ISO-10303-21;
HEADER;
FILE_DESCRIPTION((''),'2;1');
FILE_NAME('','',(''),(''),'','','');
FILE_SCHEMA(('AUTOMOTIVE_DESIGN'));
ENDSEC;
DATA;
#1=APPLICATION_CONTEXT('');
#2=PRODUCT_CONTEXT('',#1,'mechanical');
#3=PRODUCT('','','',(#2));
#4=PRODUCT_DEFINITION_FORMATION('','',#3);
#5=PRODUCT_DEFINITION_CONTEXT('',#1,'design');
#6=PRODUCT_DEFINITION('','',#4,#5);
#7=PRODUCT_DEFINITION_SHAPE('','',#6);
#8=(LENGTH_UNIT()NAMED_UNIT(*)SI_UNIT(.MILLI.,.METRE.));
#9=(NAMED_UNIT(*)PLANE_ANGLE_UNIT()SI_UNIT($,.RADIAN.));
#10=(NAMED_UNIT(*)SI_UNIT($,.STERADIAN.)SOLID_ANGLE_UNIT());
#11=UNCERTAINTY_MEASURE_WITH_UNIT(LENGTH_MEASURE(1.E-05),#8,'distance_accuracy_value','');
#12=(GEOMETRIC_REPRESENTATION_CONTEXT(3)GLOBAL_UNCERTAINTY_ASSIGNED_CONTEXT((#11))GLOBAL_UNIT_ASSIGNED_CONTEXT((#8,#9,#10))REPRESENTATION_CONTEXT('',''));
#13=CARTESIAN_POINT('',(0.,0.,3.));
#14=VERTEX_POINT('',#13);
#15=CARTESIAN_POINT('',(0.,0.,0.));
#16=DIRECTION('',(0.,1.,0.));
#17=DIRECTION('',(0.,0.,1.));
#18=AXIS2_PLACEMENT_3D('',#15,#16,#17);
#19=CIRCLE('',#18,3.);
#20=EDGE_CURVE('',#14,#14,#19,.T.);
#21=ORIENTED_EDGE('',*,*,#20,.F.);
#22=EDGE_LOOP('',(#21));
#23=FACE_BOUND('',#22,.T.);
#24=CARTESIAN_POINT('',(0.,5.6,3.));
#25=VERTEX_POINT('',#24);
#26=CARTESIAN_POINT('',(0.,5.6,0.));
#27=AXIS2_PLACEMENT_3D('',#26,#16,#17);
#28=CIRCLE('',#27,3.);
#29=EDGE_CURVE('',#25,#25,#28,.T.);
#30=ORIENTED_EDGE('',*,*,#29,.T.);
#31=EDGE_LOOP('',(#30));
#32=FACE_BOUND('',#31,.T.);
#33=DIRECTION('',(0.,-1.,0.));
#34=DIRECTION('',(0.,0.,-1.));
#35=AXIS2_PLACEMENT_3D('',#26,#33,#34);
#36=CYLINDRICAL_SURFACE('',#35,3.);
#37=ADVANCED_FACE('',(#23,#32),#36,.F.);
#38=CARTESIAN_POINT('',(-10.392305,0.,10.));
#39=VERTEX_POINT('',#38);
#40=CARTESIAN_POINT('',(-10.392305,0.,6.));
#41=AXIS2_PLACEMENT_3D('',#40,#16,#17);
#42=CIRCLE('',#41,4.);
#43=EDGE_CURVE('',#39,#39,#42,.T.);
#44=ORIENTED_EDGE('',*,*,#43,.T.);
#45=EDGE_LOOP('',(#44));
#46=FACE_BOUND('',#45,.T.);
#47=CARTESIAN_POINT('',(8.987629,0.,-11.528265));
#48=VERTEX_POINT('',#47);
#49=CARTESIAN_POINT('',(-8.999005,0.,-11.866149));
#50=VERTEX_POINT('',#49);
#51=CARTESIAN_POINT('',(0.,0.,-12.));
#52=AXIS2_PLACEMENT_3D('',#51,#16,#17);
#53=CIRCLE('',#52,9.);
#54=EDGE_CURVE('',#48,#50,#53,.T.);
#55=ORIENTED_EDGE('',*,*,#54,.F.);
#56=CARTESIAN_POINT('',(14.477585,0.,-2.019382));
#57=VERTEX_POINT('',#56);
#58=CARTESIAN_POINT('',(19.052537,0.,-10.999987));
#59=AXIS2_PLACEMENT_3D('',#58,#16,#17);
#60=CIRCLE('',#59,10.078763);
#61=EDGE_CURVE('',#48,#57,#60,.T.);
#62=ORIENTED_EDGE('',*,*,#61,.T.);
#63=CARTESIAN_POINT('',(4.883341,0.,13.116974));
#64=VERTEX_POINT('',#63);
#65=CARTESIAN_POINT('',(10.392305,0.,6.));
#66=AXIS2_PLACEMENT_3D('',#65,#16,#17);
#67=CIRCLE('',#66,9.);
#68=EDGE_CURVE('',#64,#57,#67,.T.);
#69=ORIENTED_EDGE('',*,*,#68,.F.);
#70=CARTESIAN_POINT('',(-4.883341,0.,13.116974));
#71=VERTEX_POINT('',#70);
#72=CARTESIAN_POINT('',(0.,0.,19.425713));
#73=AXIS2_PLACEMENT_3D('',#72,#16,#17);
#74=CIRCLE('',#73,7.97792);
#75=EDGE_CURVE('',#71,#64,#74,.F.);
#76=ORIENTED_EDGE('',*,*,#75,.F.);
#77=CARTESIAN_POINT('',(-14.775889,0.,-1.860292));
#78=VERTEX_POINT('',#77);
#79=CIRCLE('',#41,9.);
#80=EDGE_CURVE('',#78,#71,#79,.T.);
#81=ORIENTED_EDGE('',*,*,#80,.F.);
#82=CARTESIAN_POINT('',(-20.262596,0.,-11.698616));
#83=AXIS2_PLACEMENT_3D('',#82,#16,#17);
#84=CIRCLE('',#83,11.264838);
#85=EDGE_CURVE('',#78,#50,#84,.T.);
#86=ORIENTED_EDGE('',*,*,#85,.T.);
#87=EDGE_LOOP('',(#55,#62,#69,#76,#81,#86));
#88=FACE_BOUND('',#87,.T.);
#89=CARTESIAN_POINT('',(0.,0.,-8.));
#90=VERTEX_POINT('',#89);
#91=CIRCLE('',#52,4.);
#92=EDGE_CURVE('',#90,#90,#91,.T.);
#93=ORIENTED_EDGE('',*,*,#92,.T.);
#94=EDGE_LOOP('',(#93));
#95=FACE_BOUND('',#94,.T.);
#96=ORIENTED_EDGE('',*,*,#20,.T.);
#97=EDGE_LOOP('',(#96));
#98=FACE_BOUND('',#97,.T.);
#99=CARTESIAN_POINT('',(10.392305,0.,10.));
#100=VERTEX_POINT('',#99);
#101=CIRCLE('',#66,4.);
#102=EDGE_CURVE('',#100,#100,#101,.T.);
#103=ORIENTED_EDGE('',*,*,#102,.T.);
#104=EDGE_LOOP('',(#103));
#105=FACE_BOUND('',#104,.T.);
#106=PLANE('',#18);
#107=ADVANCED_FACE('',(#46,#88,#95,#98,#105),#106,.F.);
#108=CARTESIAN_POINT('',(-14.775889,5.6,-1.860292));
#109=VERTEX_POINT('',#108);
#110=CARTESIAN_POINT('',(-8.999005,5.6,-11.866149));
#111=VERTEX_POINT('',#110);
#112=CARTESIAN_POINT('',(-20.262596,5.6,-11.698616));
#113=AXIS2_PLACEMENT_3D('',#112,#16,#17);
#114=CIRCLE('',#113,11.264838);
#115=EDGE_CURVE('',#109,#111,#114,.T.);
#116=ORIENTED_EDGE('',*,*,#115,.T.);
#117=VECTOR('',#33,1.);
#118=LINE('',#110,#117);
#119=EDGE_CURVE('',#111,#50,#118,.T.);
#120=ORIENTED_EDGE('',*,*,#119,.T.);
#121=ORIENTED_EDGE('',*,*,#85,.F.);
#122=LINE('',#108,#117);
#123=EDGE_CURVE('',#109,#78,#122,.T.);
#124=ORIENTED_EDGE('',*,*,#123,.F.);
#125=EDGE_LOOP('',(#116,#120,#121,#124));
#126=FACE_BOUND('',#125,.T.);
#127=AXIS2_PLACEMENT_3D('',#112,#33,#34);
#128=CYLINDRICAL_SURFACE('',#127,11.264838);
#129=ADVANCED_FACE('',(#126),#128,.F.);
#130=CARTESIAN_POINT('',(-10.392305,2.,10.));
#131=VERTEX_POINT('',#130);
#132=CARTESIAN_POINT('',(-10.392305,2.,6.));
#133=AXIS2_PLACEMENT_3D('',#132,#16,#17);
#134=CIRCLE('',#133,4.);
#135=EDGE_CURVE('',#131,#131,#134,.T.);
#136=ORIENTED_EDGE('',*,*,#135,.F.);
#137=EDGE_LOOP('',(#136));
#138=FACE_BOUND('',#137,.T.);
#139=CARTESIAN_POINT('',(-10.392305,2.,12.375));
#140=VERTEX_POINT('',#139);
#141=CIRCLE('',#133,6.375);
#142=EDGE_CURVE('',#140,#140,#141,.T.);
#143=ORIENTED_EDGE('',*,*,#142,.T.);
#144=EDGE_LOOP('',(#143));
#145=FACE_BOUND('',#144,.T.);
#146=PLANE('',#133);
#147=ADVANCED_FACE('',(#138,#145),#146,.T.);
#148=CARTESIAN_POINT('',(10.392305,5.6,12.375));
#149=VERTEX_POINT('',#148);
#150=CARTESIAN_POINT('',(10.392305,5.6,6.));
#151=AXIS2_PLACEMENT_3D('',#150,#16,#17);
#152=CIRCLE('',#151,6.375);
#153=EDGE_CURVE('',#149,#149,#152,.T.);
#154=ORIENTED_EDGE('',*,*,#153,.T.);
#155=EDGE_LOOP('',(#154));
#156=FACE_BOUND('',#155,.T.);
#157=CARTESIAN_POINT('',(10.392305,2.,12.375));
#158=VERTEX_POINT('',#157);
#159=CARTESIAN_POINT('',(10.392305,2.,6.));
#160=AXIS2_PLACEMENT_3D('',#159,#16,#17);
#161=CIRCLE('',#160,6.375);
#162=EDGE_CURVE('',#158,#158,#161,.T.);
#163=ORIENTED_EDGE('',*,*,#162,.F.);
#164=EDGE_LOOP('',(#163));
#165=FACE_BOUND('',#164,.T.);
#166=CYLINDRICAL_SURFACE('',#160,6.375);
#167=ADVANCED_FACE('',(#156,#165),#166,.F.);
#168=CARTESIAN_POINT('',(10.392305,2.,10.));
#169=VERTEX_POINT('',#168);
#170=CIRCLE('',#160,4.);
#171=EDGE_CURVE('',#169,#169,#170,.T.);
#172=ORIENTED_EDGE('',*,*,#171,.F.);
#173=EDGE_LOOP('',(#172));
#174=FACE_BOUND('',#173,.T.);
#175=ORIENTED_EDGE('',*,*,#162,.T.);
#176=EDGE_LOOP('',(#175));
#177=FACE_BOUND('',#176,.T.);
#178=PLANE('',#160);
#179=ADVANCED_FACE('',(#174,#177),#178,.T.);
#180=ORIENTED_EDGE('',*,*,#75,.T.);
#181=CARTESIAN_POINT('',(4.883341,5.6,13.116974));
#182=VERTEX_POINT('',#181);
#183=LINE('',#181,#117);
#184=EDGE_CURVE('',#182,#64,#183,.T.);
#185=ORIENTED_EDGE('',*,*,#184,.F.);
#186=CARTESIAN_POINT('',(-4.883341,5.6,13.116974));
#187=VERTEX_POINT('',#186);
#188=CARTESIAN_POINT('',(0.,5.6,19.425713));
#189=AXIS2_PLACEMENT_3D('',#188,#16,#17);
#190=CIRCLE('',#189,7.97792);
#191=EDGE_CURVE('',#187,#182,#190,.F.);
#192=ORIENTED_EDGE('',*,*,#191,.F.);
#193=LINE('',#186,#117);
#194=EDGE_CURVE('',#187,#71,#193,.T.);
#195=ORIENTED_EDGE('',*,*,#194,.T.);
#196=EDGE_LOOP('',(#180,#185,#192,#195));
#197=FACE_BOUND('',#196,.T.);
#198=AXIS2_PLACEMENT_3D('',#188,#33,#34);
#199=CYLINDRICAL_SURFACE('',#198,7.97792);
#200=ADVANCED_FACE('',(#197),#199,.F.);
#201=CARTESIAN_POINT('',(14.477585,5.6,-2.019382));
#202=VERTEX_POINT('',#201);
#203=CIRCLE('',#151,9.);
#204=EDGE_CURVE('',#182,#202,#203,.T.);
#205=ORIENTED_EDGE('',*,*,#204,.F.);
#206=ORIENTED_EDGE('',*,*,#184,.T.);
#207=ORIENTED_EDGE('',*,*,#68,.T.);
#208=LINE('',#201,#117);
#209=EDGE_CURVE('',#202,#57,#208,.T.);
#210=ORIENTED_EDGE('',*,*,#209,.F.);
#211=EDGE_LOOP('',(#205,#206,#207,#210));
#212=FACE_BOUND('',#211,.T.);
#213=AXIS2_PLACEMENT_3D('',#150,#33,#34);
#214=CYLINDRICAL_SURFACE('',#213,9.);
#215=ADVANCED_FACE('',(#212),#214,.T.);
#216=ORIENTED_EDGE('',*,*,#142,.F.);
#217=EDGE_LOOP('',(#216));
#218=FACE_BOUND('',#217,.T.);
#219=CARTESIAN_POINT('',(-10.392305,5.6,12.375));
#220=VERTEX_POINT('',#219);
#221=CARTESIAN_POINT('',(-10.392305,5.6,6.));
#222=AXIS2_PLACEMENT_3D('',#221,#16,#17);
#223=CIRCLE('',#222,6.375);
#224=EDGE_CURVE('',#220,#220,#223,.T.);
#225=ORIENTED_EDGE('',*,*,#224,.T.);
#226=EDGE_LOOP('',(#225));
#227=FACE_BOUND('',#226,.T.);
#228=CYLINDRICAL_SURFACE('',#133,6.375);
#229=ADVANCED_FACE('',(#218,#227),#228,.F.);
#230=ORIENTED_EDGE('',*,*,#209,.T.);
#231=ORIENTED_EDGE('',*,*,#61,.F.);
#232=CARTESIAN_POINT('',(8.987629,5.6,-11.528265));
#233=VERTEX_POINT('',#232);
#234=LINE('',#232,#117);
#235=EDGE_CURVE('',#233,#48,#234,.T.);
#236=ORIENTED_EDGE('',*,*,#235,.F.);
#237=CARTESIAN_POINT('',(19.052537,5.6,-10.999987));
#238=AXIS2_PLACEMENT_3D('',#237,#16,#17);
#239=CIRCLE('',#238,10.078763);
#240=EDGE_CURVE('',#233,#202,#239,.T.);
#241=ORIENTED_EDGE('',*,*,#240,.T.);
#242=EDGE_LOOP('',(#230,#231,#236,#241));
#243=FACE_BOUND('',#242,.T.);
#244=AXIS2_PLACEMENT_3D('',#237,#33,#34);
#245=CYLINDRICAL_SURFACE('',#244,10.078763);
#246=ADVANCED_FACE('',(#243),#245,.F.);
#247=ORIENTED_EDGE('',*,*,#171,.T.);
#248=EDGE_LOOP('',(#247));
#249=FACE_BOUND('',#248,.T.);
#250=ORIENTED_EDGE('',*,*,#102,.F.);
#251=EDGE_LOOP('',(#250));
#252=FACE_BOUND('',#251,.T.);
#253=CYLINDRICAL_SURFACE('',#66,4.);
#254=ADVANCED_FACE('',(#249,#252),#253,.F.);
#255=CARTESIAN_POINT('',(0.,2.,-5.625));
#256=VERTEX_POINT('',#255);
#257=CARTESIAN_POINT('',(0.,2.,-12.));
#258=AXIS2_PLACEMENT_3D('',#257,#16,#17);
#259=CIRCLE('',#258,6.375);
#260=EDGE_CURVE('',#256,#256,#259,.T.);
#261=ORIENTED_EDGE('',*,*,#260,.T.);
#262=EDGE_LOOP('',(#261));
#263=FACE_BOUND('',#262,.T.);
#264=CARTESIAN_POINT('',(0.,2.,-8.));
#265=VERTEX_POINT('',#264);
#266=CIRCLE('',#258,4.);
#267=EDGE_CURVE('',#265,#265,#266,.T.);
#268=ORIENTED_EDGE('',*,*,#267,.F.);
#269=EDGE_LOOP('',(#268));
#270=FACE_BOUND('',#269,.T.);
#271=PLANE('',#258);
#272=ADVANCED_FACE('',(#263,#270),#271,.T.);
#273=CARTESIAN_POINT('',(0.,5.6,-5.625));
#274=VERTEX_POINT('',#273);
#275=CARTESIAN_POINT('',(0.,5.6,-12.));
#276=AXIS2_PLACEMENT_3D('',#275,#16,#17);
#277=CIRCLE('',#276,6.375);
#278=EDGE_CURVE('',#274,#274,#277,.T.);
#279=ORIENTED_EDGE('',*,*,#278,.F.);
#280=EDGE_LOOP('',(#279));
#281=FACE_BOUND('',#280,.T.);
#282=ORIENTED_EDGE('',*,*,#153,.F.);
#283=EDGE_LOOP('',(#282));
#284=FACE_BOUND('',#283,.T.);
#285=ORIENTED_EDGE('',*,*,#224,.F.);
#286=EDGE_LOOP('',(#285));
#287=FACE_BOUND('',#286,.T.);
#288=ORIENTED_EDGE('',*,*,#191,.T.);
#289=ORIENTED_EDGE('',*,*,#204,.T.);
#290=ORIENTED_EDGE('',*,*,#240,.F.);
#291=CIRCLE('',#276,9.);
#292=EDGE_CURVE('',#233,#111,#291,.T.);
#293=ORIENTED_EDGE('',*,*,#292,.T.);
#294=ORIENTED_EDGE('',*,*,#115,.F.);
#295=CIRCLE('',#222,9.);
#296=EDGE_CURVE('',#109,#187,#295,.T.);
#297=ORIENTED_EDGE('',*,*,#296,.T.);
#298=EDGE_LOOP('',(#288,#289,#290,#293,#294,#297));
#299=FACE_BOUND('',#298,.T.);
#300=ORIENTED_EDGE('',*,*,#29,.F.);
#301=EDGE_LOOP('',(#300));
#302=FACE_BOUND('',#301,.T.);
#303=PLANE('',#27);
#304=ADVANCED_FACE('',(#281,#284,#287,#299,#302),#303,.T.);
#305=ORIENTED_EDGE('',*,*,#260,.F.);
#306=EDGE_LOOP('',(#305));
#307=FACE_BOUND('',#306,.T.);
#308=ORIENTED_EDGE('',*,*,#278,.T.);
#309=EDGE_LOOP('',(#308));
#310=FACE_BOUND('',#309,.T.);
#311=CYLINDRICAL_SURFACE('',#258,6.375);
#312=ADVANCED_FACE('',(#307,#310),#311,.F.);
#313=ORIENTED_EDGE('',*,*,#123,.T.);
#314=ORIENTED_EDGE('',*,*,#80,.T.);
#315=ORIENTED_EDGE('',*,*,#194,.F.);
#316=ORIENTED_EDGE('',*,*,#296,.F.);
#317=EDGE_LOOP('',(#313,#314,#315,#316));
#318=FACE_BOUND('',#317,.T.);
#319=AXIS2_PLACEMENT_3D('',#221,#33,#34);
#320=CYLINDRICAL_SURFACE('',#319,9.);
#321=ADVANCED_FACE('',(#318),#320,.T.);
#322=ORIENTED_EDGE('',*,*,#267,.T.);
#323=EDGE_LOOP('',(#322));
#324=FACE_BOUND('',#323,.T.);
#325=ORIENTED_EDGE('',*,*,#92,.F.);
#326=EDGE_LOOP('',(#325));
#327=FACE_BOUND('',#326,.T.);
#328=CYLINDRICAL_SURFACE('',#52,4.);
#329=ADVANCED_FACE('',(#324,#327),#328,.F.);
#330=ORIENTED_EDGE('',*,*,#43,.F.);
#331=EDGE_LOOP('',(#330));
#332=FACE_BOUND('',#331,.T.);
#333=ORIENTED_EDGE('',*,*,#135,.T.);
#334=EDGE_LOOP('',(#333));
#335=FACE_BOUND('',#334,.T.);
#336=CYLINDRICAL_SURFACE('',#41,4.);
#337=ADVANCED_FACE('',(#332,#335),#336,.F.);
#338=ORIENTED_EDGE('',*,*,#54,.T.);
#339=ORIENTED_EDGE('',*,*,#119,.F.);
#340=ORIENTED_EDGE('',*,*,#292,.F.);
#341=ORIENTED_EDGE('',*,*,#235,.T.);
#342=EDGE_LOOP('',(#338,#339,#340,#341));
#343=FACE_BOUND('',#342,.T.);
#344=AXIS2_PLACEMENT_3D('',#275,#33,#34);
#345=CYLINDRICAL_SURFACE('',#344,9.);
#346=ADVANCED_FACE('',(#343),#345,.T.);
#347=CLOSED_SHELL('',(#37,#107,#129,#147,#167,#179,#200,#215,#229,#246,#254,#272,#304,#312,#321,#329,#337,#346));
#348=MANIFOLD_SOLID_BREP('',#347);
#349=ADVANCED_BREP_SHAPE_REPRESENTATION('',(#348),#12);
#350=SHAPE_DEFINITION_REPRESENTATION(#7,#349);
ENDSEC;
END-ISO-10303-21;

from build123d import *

# Parameters (mm, degrees)
SKETCH1_R           = 3
SKETCH1_R_2         = 6.375
BOSS_EXTRUDE1_DEPTH = 5.6
SKETCH2_R           = 6.375
CUT_EXTRUDE1_DEPTH  = 3.6
SKETCH3_R           = 4
CUT_EXTRUDE2_DEPTH  = 29.810093495


with BuildPart() as part:
    # Sketch1 → Boss-Extrude1 (new body)
    # profile 1 of 4: a face of its own
    with BuildSketch(Plane(origin=(0, 0, 0), x_dir=(1, 0, 0), z_dir=(0, 1, 0))):
        with BuildLine():
            ThreePointArc((-14.775889156, 1.860291889), (-17.90204805, -10.960217435), (-4.883341128, -13.116973989))
            ThreePointArc((-4.883341128, -13.116973989), (0, -11.447792844), (4.883341128, -13.116973989))
            ThreePointArc((4.883341128, -13.116973989), (17.993886057, -10.818294624), (14.477584826, 2.019381989))
            ThreePointArc((14.477584826, 2.019381989), (10.324072295, 5.960605919), (8.987628515, 11.52826525))
            ThreePointArc((8.987628515, 11.52826525), (0.169037816, 20.998412428), (-8.999004613, 11.866149428))
            ThreePointArc((-8.999004613, 11.866149428), (-10.506960828, 6.066196663), (-14.775889156, 1.860291889))
        make_face()
        with Locations(Location((0, 0, 0), (0, 0, 270))):
            Circle(SKETCH1_R, mode=Mode.SUBTRACT)
        with Locations((0, 12)):
            Circle(SKETCH1_R_2, mode=Mode.SUBTRACT)
        with Locations((10.392304845, -6)):
            Circle(SKETCH1_R_2, mode=Mode.SUBTRACT)
        with Locations((-10.392304845, -6)):
            Circle(SKETCH1_R_2, mode=Mode.SUBTRACT)
    # profile 2 of 4: a face of its own
    with BuildSketch(Plane(origin=(0, 0, 0), x_dir=(1, 0, 0), z_dir=(0, 1, 0))):
        with Locations((0, 12)):
            Circle(SKETCH1_R_2)
    # profile 3 of 4: a face of its own
    with BuildSketch(Plane(origin=(0, 0, 0), x_dir=(1, 0, 0), z_dir=(0, 1, 0))):
        with Locations((10.392304845, -6)):
            Circle(SKETCH1_R_2)
    # profile 4 of 4: a face of its own
    with BuildSketch(Plane(origin=(0, 0, 0), x_dir=(1, 0, 0), z_dir=(0, 1, 0))):
        with Locations((-10.392304845, -6)):
            Circle(SKETCH1_R_2)
    extrude(amount=BOSS_EXTRUDE1_DEPTH)

    # Sketch2 → Cut-Extrude1 (cut)
    with BuildSketch(Plane(origin=(0, 5.6, 0), x_dir=(1, 0, 0), z_dir=(0, 1, 0))):
        with Locations(Location((-10.392304845, -6, 0), (0, 0, 270))):
            Circle(SKETCH2_R)
        with Locations(Location((0, 12, 0), (0, 0, 270))):
            Circle(SKETCH2_R)
        with Locations(Location((10.392304845, -6, 0), (0, 0, 270))):
            Circle(SKETCH2_R)
    extrude(amount=-CUT_EXTRUDE1_DEPTH, mode=Mode.SUBTRACT)

    # Sketch3 → Cut-Extrude2 (cut, through all)
    with BuildSketch(Plane(origin=(0, 2, 0), x_dir=(1, 0, 0), z_dir=(0, 1, 0))):
        with Locations(Location((-10.392304845, -6, 0), (0, 0, 270))):
            Circle(SKETCH3_R)
        with Locations(Location((0, 12, 0), (0, 0, 270))):
            Circle(SKETCH3_R)
        with Locations(Location((10.392304845, -6, 0), (0, 0, 270))):
            Circle(SKETCH3_R)
    extrude(amount=-CUT_EXTRUDE2_DEPTH, mode=Mode.SUBTRACT)


solid = part.part
